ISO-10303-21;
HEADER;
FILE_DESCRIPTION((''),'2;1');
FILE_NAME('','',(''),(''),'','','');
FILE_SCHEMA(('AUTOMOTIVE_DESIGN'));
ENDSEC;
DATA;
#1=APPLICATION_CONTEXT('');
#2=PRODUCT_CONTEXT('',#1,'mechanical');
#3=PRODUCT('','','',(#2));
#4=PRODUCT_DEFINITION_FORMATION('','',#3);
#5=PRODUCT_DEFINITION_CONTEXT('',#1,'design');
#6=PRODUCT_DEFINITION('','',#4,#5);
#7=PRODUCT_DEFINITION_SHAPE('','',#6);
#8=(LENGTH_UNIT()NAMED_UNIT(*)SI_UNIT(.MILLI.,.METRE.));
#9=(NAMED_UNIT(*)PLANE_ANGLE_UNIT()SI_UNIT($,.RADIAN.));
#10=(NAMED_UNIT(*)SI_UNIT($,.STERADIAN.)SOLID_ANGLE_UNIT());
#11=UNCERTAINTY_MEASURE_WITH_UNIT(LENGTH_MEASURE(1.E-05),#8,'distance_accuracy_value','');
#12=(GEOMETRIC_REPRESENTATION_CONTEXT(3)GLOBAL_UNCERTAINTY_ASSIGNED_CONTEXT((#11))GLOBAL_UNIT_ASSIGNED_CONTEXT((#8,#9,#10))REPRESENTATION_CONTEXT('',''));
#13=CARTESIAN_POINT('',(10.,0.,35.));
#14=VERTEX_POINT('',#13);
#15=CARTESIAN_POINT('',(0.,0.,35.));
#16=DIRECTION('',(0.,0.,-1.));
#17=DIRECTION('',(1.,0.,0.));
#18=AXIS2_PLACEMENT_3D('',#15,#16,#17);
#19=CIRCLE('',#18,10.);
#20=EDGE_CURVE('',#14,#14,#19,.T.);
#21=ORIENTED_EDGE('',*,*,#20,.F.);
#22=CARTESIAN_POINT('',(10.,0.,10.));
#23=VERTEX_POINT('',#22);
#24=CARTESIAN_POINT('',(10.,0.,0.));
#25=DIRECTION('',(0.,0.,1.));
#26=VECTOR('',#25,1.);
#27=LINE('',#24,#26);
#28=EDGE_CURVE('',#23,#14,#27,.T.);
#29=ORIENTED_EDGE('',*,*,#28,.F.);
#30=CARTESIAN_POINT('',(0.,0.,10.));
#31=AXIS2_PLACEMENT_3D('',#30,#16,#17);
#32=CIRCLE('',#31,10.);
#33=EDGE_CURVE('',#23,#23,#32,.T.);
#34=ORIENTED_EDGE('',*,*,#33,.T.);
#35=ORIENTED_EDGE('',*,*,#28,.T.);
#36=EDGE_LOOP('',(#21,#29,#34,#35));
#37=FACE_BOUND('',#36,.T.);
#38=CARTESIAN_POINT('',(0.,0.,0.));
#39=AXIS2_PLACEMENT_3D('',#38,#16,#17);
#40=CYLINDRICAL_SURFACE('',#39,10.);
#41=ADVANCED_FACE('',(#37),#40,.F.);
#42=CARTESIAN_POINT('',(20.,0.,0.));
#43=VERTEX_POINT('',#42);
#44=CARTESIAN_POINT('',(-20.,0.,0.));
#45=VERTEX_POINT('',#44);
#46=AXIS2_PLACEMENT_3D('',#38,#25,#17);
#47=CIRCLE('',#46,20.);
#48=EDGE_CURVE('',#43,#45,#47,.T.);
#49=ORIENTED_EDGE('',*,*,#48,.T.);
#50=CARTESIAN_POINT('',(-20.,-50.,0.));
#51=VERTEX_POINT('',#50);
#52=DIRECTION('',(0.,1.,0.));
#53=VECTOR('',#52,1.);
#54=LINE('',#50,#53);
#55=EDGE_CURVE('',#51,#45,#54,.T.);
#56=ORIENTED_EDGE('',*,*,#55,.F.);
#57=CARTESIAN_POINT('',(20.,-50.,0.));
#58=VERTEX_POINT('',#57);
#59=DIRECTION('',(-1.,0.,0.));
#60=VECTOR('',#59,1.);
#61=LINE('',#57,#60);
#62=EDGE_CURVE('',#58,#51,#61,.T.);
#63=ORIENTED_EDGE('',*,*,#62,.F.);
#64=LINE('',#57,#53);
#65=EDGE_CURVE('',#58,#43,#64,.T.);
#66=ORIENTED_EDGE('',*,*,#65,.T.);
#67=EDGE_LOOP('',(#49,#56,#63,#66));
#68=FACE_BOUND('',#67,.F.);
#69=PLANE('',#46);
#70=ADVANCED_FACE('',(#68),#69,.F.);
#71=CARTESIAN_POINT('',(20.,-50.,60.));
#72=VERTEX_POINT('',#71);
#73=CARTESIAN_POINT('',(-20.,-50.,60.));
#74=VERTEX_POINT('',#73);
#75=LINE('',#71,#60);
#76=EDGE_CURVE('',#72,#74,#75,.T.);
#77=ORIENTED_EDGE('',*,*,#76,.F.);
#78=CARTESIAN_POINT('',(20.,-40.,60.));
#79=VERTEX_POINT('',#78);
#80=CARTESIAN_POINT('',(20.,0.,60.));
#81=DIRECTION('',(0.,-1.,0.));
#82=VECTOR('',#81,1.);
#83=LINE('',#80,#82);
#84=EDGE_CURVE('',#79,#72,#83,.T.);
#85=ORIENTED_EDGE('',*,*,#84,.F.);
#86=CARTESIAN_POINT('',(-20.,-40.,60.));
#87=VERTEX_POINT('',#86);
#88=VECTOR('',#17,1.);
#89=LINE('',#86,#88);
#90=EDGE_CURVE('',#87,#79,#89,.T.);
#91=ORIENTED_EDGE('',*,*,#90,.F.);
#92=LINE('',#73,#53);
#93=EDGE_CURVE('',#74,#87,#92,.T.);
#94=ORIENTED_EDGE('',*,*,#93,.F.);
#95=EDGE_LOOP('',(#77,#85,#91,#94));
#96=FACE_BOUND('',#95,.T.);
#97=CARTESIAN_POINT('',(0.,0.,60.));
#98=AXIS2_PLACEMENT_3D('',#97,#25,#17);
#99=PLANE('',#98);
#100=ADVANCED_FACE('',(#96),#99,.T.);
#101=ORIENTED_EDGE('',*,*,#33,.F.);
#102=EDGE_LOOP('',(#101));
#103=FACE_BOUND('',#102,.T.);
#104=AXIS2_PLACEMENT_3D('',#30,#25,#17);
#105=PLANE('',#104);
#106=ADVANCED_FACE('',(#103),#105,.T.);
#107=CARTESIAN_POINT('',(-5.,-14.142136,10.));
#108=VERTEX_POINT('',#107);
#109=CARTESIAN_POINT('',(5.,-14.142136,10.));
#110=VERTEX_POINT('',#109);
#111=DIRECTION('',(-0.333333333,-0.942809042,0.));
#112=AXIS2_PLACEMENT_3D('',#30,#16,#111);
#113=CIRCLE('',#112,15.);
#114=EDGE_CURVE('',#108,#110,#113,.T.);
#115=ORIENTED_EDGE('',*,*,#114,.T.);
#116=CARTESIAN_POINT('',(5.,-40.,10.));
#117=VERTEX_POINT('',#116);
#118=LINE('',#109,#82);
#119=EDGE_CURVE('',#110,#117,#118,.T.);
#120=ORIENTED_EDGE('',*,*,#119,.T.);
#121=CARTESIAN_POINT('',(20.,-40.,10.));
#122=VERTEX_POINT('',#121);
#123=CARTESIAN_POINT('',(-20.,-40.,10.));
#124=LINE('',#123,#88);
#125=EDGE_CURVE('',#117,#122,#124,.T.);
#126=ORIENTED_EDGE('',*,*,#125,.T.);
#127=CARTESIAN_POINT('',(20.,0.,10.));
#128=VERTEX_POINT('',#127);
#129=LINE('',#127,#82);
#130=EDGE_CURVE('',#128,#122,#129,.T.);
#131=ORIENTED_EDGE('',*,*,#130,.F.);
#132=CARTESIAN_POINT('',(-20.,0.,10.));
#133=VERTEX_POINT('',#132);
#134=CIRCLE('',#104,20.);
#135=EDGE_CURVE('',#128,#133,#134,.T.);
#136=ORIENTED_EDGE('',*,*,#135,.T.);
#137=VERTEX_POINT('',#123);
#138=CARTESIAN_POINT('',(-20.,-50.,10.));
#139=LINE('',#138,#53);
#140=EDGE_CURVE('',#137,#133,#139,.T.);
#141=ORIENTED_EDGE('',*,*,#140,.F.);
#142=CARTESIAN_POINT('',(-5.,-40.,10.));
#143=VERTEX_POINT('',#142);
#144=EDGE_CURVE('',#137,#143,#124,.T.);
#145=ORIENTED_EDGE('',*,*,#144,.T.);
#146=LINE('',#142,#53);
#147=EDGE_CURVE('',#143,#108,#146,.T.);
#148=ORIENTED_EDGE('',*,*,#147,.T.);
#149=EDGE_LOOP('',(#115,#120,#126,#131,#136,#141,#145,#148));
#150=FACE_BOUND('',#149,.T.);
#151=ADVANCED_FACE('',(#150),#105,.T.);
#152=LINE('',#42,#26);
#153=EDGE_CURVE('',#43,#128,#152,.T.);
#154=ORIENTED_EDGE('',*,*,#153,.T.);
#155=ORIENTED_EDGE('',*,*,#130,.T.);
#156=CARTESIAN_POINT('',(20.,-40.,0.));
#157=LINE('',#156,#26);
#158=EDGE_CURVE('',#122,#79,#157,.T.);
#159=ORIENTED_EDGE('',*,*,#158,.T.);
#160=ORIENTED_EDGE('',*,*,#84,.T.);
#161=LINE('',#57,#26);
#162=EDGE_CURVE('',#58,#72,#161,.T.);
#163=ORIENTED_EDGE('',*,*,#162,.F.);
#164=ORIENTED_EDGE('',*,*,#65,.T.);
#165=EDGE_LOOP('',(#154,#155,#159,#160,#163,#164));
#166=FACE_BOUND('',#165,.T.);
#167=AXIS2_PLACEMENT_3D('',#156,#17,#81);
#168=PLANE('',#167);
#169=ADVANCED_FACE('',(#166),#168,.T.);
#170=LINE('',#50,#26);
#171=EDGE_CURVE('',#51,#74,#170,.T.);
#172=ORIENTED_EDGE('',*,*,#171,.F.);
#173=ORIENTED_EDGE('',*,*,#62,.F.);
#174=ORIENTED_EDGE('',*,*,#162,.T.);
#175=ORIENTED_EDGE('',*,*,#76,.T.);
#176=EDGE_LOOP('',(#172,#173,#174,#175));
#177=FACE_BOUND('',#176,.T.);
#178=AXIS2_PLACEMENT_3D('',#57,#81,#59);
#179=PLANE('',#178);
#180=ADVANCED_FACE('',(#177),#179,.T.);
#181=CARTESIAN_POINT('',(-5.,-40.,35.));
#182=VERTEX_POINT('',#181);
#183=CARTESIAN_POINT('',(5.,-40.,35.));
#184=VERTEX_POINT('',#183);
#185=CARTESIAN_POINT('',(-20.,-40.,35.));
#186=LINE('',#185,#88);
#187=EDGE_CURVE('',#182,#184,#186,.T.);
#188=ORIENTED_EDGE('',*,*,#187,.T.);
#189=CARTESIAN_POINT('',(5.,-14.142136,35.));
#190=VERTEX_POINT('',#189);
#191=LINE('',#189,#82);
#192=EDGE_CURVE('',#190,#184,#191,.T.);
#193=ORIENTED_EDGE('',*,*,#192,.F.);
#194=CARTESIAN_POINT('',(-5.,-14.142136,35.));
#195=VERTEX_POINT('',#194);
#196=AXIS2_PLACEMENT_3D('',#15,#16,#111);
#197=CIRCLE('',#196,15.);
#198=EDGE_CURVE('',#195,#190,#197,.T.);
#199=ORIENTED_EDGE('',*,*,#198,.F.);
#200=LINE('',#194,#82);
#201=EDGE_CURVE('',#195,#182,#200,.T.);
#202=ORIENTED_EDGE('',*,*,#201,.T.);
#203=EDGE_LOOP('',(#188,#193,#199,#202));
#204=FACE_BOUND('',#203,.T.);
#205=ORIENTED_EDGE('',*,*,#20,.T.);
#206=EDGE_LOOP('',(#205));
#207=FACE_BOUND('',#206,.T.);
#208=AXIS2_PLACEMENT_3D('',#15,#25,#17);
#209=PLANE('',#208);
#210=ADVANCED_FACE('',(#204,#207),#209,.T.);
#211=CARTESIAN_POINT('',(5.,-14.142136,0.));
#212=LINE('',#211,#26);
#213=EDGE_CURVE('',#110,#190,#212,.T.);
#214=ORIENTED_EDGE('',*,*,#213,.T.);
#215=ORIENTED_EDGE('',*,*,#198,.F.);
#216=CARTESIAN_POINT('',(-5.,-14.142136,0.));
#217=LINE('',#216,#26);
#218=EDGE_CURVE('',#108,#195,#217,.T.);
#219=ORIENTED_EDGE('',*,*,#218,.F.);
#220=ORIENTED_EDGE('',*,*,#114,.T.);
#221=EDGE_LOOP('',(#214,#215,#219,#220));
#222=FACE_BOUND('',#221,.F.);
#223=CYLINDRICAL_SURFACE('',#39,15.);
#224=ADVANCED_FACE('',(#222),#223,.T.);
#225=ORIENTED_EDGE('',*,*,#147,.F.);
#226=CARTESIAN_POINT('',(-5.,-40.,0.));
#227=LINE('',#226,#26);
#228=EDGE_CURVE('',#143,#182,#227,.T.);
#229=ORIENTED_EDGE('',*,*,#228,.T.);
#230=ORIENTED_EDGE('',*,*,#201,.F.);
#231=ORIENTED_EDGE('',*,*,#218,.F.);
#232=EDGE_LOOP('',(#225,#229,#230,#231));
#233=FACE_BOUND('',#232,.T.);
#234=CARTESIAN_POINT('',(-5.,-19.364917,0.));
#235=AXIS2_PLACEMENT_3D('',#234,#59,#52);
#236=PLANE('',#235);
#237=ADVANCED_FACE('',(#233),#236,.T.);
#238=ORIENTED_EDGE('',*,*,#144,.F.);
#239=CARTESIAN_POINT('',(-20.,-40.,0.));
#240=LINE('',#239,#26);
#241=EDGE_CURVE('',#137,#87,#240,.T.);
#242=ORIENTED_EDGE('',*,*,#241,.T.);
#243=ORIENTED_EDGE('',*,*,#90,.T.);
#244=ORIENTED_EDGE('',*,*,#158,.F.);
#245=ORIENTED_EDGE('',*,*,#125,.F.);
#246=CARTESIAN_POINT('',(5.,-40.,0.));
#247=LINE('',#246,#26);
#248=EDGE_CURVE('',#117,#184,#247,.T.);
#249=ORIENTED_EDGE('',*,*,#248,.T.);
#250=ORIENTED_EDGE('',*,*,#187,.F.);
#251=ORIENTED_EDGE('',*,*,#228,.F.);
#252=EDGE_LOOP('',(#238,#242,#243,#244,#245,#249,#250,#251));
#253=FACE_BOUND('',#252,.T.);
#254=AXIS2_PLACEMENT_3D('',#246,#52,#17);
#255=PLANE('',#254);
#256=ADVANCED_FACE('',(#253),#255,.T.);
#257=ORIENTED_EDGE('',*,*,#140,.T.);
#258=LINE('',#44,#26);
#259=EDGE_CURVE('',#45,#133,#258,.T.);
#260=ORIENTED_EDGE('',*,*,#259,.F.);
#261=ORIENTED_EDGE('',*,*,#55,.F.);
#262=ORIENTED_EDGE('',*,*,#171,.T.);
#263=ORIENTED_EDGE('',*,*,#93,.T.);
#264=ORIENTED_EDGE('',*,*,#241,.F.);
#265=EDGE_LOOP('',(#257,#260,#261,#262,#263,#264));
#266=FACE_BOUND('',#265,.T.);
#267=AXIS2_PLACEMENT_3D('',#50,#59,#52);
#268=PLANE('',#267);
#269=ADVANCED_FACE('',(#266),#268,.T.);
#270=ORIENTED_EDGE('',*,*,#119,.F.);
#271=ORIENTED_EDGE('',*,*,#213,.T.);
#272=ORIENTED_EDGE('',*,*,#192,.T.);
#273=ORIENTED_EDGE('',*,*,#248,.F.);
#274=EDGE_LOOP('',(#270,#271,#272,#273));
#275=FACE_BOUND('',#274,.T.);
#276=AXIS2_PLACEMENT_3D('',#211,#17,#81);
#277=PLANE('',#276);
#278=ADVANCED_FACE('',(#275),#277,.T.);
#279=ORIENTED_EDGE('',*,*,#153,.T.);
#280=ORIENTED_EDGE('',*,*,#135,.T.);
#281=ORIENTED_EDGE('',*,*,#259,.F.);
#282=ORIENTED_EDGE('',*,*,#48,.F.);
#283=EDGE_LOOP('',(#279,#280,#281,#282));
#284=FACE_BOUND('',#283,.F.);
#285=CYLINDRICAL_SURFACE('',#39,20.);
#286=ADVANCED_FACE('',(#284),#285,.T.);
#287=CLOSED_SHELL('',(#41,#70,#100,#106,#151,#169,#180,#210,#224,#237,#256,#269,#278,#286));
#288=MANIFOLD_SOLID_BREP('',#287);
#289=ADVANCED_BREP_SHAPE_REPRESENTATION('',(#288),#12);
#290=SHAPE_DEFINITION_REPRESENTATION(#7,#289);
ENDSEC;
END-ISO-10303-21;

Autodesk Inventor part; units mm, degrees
ref_plane "YZ Plane" through (0, 0, 0) normal (1, 0, 0) x (0, 1, 0)
ref_plane "XZ Plane" through (0, 0, 0) normal (0, 1, 0) x (-1, 0, 0)
ref_plane "XY Plane" through (0, 0, 0) normal (0, 0, 1) x (1, 0, 0)
sketch "Sketch1" plane through (0, 0, 0) normal (0, 0, 1) x (1, 0, 0)
  circle A0 centre (0, 0) radius 10
  circle A1 centre (0, 0) radius 15
  circle A2 centre (0, 0) radius 20
  line L0 (-20, 0) -> (20, 0)
  line L1 (20, 0) -> (20, -50)
  line L2 (20, -50) -> (-20, -50)
  line L3 (-20, -50) -> (-20, 0)
  line L4 (-20, -40) -> (20, -40)
  line L5 (20, -40) -> (20, -50)
  line L6 (20, -50) -> (-20, -50)
  line L7 (-20, -50) -> (-20, -40)
  line L8 (-5, -13) -> (5, -13)
  line L9 (5, -13) -> (5, -40)
  line L10 (5, -40) -> (-5, -40)
  line L11 (-5, -40) -> (-5, -13)
  point P0 (0, -50)
  point P1 (0, -40)
  dimension "d0" = 20
  dimension "d1" = 30
  dimension "d2" = 40
  dimension "d3" = 40
  dimension "d4" = 50
  dimension "d5" = 40
  dimension "d6" = 10
  dimension "d7" = 10
  dimension "d8" = 27
extrude "Extrusion1" add sketch "Sketch1" along normal blind 35 contours L0 A1 L9 L8 L11 A0 | A0 L0 A1 | L9 A2 L11 A1 | A1 L11 L8 L9 | L9 L4 L11 A2
extrude "Extrusion2" add sketch "Sketch1" along normal blind 10 contours L0 A0 | L0 A1 L9 L8 L11 A0 | A0 L0 | L0 A2 L9 A1 | A1 L0 A2 | A1 L11 A2 L0 | L9 A2 L11 A1 | L1 L4 L9 A2 | A2 L11 L4 L3
extrude "Extrusion3" add sketch "Sketch1" along normal blind 60 contours L1 L2 L3 L4
properties part number "A"
